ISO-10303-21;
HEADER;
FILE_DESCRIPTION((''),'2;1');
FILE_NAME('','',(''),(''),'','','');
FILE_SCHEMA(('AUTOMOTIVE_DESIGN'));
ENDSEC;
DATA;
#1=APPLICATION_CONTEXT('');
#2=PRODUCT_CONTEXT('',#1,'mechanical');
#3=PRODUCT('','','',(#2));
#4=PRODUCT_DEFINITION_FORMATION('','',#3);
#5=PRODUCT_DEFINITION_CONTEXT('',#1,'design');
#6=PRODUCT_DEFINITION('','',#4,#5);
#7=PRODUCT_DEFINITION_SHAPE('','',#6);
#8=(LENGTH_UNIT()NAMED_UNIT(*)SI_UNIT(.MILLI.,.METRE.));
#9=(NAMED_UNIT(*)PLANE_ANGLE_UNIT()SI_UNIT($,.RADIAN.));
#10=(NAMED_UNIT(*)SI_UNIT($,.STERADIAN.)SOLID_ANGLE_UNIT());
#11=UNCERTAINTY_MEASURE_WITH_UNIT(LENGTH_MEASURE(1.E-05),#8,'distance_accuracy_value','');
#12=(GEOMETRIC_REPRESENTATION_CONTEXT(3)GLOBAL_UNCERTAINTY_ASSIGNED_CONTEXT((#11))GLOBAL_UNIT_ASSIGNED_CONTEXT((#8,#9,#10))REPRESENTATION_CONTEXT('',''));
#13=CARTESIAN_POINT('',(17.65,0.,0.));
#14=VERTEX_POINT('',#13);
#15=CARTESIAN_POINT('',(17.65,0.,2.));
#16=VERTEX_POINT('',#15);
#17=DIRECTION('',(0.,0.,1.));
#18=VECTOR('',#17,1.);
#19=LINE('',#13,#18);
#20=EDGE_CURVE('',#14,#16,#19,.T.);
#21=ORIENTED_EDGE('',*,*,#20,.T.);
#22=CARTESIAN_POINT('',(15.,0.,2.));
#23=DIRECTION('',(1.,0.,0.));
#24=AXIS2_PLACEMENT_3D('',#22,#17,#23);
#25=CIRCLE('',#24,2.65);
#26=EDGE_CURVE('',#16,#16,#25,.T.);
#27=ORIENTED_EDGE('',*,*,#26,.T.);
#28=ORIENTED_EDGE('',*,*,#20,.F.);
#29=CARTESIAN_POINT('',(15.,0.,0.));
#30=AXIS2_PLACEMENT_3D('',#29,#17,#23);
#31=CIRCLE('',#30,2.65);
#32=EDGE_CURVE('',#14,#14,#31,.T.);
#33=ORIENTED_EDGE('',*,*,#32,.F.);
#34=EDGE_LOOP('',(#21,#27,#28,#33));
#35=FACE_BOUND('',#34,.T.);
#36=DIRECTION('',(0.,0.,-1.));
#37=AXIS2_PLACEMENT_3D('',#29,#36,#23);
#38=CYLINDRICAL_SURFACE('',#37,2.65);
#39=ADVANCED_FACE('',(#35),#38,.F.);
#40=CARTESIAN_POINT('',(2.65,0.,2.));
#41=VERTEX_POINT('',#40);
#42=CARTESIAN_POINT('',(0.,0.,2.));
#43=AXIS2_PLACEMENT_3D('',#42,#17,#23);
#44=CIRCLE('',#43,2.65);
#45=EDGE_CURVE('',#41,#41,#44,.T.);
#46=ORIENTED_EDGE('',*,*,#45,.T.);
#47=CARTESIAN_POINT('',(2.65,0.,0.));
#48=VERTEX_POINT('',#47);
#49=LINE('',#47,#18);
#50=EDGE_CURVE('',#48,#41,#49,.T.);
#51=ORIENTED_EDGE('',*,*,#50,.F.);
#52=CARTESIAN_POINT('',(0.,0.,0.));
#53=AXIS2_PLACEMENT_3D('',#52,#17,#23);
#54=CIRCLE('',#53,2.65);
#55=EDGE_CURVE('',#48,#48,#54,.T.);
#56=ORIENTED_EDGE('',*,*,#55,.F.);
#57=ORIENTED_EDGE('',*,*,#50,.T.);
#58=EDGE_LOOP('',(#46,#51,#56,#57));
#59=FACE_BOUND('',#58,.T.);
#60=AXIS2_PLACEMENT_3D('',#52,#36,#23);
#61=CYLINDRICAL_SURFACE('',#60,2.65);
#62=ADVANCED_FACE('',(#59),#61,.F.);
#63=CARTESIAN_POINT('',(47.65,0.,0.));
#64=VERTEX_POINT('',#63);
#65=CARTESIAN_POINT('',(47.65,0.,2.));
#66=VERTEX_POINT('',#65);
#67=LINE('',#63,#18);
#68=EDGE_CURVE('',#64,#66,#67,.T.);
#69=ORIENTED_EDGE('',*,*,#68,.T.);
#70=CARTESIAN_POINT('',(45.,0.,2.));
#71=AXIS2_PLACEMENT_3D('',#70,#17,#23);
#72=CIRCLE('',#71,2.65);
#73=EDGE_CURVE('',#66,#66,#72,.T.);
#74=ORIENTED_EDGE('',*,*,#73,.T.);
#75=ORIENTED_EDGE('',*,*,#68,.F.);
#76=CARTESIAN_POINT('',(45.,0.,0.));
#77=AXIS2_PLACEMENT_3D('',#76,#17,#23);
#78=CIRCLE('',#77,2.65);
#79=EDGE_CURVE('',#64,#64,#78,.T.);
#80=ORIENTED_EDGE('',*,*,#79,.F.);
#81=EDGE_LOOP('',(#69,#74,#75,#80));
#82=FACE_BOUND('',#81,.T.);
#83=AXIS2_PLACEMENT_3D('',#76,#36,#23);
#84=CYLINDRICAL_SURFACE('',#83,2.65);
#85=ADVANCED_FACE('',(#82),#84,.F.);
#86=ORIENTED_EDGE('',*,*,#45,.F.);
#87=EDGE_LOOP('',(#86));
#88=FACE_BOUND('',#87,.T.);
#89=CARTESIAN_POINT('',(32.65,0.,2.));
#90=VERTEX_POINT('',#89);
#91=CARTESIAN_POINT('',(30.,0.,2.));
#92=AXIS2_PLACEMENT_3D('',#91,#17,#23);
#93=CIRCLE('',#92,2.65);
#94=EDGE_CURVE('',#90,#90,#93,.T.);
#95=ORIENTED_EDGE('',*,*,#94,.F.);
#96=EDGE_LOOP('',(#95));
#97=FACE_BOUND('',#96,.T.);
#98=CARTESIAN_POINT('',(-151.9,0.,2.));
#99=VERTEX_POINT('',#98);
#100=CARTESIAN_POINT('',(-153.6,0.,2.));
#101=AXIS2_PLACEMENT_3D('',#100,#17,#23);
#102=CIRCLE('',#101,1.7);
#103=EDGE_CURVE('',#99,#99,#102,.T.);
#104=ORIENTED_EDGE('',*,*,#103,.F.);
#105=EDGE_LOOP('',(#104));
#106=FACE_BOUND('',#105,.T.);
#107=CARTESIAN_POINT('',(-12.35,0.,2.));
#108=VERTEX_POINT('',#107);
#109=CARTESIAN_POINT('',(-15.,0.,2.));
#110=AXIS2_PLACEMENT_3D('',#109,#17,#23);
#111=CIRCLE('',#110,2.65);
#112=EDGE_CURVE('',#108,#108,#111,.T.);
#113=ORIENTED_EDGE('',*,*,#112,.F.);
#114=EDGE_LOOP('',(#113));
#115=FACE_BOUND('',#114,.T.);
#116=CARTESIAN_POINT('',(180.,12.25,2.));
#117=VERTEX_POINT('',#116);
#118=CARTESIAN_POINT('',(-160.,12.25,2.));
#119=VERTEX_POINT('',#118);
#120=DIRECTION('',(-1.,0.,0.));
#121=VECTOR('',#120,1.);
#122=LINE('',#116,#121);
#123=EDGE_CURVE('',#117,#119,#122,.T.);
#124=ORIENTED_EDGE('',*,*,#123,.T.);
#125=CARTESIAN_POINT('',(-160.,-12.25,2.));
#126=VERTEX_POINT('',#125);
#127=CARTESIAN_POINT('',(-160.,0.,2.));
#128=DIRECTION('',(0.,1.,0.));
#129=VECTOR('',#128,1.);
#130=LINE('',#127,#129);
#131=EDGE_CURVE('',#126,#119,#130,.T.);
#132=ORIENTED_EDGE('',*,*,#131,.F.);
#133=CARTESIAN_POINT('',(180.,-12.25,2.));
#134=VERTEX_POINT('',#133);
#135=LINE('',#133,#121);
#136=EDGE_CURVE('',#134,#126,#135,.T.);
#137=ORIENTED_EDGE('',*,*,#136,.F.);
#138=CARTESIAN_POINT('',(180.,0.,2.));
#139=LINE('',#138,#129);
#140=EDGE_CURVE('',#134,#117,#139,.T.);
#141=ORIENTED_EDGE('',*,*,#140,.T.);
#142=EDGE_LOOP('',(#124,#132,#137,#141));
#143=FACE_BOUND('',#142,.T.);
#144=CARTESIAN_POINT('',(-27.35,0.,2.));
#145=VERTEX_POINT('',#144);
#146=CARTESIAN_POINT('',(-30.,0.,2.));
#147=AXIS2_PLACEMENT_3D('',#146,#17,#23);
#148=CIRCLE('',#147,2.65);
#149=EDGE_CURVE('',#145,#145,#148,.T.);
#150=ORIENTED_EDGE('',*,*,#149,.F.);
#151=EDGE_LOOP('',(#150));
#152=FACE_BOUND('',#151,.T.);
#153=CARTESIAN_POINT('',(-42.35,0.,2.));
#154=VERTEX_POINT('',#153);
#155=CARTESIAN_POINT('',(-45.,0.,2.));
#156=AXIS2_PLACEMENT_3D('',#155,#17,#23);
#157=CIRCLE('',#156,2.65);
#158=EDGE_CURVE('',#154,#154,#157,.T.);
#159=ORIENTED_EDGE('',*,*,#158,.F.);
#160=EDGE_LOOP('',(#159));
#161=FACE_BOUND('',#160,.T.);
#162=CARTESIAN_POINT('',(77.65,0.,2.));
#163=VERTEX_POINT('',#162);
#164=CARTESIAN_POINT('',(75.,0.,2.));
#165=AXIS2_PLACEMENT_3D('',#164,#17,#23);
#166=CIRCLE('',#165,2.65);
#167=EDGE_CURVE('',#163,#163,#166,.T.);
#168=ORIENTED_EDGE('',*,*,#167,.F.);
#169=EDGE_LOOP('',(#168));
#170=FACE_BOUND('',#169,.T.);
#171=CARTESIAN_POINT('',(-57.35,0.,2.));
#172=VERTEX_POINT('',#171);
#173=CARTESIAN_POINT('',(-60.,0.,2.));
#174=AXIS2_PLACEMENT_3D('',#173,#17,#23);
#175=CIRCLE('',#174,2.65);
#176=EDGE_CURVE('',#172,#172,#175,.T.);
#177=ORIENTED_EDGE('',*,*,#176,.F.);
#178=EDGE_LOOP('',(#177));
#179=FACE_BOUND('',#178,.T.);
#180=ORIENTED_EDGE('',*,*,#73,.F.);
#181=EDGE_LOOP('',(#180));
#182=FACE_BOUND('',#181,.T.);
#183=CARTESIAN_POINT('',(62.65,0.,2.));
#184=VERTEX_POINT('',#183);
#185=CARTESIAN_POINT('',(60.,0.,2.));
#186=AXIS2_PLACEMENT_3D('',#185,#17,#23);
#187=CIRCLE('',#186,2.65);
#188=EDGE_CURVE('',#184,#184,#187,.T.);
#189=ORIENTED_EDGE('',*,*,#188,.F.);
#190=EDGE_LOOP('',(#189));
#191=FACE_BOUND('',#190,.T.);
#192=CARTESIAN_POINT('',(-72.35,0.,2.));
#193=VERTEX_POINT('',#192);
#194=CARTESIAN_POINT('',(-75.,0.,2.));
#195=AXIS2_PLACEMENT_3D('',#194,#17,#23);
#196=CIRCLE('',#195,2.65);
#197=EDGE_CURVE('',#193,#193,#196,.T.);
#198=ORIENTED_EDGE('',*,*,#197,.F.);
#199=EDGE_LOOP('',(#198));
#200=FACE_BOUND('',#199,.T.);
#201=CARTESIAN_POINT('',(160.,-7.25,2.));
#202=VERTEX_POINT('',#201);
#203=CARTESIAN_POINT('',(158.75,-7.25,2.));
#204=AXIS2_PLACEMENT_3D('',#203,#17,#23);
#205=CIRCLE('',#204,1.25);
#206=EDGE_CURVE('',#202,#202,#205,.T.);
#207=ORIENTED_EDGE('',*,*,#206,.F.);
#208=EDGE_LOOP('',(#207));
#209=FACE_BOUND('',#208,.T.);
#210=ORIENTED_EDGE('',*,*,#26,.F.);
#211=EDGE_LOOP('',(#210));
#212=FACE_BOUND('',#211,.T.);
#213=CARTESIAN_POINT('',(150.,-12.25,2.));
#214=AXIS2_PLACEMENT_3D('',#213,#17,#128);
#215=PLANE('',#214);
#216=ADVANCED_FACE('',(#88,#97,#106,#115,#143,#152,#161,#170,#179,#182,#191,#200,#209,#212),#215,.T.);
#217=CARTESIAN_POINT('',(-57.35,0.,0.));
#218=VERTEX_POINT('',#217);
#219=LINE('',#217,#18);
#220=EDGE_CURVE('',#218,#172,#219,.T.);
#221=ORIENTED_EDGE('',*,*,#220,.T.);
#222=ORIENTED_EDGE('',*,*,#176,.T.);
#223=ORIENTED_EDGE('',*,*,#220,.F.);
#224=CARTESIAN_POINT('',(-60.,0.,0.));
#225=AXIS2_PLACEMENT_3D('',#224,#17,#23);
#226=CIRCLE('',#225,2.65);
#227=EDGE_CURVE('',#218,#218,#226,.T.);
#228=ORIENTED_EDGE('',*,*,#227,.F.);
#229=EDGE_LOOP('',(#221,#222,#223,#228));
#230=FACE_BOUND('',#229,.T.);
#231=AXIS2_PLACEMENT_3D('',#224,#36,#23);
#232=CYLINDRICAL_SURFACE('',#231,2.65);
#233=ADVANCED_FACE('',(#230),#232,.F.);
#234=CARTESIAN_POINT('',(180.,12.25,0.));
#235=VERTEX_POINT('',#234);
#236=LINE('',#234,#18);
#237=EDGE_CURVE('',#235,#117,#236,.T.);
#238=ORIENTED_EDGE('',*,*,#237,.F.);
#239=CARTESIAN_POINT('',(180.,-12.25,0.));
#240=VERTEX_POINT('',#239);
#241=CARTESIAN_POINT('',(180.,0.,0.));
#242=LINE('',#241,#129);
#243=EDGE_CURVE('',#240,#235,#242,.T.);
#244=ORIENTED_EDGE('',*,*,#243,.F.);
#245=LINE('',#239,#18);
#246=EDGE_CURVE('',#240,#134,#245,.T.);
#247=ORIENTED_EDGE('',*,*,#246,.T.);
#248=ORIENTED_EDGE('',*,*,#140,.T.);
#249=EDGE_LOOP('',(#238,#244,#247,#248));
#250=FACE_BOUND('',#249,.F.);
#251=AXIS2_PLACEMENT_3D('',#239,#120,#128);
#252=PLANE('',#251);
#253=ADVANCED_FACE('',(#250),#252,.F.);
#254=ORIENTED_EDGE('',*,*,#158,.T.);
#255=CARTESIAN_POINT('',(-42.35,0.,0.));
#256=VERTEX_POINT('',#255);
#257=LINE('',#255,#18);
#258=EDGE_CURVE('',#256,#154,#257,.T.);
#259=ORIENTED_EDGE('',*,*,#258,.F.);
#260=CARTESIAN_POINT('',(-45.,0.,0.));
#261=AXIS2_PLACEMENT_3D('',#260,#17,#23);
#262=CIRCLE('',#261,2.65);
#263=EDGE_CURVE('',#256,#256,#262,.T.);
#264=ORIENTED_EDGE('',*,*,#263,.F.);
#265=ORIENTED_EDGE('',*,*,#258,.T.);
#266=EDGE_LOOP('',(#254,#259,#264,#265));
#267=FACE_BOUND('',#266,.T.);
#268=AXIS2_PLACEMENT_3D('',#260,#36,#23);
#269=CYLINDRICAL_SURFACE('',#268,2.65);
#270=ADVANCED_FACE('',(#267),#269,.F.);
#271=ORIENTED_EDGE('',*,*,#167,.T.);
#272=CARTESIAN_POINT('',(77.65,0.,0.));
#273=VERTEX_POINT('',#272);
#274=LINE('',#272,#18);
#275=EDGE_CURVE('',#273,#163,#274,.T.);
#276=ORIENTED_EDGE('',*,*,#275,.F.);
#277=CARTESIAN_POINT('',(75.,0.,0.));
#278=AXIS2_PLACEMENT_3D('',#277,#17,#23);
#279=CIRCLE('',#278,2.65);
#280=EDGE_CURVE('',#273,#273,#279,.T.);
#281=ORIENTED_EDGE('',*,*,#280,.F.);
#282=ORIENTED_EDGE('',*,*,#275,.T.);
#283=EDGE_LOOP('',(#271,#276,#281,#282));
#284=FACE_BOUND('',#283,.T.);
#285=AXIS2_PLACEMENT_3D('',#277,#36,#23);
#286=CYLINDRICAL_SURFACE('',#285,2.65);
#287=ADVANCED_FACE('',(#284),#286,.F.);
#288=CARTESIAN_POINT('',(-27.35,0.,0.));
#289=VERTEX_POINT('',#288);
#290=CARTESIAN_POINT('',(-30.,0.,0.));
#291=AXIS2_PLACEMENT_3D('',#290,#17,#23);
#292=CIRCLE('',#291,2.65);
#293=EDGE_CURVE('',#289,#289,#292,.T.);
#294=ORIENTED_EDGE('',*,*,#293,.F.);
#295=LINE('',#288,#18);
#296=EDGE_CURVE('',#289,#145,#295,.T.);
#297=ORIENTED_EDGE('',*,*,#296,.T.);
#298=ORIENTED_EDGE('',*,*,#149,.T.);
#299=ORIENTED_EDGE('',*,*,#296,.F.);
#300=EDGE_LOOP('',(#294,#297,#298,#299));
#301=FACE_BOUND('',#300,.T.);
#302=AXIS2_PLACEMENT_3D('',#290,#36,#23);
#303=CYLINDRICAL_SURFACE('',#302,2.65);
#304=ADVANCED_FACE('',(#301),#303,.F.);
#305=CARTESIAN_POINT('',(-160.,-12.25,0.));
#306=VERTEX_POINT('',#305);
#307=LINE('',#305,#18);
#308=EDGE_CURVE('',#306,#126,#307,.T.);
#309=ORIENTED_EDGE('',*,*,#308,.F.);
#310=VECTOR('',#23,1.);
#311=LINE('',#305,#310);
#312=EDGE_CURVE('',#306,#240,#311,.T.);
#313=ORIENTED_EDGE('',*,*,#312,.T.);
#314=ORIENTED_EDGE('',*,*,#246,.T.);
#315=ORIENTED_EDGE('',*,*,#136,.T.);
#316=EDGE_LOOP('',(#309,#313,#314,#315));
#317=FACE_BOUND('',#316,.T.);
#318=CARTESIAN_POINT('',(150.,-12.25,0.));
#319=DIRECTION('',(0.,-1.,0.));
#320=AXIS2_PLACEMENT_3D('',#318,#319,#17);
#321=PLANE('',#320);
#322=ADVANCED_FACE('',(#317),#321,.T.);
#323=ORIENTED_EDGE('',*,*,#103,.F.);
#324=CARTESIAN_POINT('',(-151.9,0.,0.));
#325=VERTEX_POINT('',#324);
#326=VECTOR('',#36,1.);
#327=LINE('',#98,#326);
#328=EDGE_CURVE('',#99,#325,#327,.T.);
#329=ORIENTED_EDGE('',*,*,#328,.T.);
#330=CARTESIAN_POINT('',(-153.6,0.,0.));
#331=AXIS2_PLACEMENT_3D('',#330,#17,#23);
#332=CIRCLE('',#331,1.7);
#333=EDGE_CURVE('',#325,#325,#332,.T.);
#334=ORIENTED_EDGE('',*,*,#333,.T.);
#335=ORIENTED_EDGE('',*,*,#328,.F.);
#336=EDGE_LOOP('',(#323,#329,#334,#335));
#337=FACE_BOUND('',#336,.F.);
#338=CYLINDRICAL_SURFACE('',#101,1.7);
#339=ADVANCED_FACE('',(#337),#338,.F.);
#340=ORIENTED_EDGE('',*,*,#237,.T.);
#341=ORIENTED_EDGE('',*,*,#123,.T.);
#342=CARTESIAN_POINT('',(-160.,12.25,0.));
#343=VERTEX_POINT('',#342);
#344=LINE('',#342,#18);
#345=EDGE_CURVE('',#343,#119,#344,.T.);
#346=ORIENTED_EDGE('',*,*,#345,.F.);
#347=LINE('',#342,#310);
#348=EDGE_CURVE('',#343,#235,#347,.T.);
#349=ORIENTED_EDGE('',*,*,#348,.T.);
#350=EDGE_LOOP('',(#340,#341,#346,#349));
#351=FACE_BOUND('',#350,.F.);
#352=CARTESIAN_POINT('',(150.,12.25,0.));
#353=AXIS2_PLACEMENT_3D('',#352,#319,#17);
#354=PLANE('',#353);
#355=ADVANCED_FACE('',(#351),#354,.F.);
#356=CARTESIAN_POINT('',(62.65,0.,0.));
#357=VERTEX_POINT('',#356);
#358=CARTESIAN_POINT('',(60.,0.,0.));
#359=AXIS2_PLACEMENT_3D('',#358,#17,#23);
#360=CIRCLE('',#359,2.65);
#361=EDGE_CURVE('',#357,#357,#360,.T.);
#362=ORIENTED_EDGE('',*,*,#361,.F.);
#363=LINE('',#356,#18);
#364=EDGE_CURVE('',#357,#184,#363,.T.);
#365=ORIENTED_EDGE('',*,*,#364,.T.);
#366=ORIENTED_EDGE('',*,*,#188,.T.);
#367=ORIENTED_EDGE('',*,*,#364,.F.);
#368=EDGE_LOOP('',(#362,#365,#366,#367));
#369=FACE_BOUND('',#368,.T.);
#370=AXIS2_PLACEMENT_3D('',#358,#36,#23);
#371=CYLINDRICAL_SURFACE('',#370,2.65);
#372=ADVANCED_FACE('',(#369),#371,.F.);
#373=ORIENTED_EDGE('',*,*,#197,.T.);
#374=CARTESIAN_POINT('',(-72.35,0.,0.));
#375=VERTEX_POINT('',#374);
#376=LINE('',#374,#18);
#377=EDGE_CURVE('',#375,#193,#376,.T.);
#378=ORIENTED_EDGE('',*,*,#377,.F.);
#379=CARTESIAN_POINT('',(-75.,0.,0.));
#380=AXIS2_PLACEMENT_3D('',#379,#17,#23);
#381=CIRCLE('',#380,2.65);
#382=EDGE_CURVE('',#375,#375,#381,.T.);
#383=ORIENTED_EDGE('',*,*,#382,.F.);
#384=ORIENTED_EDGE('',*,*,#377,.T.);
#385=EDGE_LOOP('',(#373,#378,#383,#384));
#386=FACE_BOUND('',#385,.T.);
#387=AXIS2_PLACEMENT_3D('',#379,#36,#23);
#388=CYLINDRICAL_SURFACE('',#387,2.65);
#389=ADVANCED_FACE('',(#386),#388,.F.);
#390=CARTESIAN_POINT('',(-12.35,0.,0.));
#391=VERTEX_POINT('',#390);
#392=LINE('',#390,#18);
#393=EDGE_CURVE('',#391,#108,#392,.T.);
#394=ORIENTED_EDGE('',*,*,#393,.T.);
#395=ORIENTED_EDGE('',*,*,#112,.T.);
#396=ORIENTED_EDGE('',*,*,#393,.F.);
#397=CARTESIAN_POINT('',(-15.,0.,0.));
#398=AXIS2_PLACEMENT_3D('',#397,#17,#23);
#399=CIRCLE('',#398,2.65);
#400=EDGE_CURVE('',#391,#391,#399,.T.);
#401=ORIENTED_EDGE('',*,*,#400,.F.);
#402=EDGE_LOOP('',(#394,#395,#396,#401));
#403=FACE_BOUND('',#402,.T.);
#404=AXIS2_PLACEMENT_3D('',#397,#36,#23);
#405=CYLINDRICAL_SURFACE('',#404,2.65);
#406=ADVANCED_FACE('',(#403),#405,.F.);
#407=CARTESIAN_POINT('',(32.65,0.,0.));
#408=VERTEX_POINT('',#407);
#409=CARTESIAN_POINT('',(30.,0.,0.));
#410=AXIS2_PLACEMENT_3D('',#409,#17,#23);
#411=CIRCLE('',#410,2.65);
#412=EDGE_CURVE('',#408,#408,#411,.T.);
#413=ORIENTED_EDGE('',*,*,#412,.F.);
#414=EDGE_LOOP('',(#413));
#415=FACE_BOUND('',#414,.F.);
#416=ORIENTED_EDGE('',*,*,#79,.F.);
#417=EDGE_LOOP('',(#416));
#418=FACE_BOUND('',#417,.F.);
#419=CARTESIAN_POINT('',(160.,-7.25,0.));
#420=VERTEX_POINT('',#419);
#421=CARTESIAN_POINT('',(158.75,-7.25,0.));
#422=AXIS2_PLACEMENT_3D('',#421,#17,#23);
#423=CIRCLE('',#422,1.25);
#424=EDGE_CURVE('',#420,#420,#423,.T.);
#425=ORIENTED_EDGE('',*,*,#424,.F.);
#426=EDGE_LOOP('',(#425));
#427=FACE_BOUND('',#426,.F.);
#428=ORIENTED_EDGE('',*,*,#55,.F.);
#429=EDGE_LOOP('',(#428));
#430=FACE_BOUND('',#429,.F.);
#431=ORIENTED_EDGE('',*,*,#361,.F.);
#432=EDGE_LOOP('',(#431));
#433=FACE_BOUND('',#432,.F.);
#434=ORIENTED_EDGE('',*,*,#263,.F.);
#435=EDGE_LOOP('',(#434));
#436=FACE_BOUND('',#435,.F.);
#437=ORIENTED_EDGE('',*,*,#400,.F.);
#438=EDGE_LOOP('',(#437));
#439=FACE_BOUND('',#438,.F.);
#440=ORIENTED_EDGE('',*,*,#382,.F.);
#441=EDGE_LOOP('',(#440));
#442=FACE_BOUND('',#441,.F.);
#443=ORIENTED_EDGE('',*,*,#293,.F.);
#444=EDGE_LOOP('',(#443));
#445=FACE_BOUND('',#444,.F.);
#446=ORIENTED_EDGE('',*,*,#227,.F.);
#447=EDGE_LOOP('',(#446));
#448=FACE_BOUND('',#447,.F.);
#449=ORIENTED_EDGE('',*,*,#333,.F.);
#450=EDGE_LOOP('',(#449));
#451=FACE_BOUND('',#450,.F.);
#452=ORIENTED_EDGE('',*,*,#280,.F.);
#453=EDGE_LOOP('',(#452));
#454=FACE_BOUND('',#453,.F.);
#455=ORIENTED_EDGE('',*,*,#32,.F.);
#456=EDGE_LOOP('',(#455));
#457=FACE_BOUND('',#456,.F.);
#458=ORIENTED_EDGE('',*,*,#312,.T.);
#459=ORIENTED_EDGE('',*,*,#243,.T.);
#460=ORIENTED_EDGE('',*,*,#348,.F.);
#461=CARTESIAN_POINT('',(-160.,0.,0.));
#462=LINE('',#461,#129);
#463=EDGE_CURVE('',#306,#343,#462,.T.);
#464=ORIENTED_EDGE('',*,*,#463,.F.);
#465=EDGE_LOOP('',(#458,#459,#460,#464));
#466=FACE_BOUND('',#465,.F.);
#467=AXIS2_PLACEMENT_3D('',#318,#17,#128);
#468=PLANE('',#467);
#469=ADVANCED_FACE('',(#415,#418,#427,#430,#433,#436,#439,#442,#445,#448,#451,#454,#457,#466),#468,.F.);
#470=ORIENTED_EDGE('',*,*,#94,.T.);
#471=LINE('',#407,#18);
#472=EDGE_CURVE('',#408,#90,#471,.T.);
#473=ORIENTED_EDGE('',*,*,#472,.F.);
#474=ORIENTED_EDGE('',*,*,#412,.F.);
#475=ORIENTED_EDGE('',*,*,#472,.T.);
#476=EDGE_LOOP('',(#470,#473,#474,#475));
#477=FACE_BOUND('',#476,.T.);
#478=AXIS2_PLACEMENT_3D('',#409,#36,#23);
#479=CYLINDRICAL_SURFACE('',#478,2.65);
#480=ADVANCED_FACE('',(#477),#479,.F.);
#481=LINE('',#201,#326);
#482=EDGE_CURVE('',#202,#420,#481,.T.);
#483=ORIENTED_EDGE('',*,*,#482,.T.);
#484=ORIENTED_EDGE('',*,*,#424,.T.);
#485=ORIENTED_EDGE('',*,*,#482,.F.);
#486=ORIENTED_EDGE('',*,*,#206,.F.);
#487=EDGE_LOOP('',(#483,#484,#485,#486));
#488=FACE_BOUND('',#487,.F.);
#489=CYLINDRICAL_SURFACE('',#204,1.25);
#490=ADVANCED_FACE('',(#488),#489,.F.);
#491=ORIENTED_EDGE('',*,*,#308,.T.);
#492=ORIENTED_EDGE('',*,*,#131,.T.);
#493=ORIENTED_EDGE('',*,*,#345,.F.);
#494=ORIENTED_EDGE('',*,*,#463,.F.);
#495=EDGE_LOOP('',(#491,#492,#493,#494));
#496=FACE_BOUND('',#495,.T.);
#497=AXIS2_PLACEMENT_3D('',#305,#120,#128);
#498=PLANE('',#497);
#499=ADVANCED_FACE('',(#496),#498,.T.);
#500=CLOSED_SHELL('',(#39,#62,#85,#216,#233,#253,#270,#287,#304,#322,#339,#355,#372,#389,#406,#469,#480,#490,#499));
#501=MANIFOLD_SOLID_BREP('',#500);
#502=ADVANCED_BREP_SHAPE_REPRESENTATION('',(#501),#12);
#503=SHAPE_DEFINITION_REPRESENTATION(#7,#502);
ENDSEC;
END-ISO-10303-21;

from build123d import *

# Parameters (mm, degrees)
F0_W     = 300
F0_H     = 24.5
F0_R     = 2.65
F1_DEPTH = 2
F2_DEPTH = 10
F3_DEPTH = 30
F4_R     = 1.7
F5_DEPTH = 2
F6_R     = 1.25
F7_DEPTH = 2


with BuildPart() as f1:
    # F0 (on Top) → F1 (new body)
    with BuildSketch(Plane.XY):
        Rectangle(F0_W, F0_H)
        with Locations((-75, 0)):
            Circle(F0_R, mode=Mode.SUBTRACT)
        with Locations((-60, 0)):
            Circle(F0_R, mode=Mode.SUBTRACT)
        with Locations((-45, 0)):
            Circle(F0_R, mode=Mode.SUBTRACT)
        with Locations((-30, 0)):
            Circle(F0_R, mode=Mode.SUBTRACT)
        with Locations((-15, 0)):
            Circle(F0_R, mode=Mode.SUBTRACT)
        Circle(F0_R, mode=Mode.SUBTRACT)
        with Locations((15, 0)):
            Circle(F0_R, mode=Mode.SUBTRACT)
        with Locations((30, 0)):
            Circle(F0_R, mode=Mode.SUBTRACT)
        with Locations((45, 0)):
            Circle(F0_R, mode=Mode.SUBTRACT)
        with Locations((60, 0)):
            Circle(F0_R, mode=Mode.SUBTRACT)
        with Locations((75, 0)):
            Circle(F0_R, mode=Mode.SUBTRACT)
    extrude(amount=F1_DEPTH)

    # F2 (add): a face of the model
    f2_faces = [f1.faces().sort_by_distance(p)[0] for p in [
        (-150, 0, 1),
    ]]
    extrude(f2_faces, amount=F2_DEPTH)

    # F3 (add): a face of the model
    f3_faces = [f1.faces().sort_by_distance(p)[0] for p in [
        (150, 0, 1),
    ]]
    extrude(f3_faces, amount=F3_DEPTH)

    # F4 (on face) → F5 (cut, through all)
    with BuildSketch(Plane.XY.offset(2)):
        with Locations((-153.6, 0)):
            Circle(F4_R)
    extrude(amount=-F5_DEPTH, mode=Mode.SUBTRACT)

    # F6 (on face) → F7 (cut, through all)
    with BuildSketch(Plane.XY.offset(2)):
        with Locations((158.75, -7.25)):
            Circle(F6_R)
    extrude(amount=-F7_DEPTH, mode=Mode.SUBTRACT)


solid = f1.part
